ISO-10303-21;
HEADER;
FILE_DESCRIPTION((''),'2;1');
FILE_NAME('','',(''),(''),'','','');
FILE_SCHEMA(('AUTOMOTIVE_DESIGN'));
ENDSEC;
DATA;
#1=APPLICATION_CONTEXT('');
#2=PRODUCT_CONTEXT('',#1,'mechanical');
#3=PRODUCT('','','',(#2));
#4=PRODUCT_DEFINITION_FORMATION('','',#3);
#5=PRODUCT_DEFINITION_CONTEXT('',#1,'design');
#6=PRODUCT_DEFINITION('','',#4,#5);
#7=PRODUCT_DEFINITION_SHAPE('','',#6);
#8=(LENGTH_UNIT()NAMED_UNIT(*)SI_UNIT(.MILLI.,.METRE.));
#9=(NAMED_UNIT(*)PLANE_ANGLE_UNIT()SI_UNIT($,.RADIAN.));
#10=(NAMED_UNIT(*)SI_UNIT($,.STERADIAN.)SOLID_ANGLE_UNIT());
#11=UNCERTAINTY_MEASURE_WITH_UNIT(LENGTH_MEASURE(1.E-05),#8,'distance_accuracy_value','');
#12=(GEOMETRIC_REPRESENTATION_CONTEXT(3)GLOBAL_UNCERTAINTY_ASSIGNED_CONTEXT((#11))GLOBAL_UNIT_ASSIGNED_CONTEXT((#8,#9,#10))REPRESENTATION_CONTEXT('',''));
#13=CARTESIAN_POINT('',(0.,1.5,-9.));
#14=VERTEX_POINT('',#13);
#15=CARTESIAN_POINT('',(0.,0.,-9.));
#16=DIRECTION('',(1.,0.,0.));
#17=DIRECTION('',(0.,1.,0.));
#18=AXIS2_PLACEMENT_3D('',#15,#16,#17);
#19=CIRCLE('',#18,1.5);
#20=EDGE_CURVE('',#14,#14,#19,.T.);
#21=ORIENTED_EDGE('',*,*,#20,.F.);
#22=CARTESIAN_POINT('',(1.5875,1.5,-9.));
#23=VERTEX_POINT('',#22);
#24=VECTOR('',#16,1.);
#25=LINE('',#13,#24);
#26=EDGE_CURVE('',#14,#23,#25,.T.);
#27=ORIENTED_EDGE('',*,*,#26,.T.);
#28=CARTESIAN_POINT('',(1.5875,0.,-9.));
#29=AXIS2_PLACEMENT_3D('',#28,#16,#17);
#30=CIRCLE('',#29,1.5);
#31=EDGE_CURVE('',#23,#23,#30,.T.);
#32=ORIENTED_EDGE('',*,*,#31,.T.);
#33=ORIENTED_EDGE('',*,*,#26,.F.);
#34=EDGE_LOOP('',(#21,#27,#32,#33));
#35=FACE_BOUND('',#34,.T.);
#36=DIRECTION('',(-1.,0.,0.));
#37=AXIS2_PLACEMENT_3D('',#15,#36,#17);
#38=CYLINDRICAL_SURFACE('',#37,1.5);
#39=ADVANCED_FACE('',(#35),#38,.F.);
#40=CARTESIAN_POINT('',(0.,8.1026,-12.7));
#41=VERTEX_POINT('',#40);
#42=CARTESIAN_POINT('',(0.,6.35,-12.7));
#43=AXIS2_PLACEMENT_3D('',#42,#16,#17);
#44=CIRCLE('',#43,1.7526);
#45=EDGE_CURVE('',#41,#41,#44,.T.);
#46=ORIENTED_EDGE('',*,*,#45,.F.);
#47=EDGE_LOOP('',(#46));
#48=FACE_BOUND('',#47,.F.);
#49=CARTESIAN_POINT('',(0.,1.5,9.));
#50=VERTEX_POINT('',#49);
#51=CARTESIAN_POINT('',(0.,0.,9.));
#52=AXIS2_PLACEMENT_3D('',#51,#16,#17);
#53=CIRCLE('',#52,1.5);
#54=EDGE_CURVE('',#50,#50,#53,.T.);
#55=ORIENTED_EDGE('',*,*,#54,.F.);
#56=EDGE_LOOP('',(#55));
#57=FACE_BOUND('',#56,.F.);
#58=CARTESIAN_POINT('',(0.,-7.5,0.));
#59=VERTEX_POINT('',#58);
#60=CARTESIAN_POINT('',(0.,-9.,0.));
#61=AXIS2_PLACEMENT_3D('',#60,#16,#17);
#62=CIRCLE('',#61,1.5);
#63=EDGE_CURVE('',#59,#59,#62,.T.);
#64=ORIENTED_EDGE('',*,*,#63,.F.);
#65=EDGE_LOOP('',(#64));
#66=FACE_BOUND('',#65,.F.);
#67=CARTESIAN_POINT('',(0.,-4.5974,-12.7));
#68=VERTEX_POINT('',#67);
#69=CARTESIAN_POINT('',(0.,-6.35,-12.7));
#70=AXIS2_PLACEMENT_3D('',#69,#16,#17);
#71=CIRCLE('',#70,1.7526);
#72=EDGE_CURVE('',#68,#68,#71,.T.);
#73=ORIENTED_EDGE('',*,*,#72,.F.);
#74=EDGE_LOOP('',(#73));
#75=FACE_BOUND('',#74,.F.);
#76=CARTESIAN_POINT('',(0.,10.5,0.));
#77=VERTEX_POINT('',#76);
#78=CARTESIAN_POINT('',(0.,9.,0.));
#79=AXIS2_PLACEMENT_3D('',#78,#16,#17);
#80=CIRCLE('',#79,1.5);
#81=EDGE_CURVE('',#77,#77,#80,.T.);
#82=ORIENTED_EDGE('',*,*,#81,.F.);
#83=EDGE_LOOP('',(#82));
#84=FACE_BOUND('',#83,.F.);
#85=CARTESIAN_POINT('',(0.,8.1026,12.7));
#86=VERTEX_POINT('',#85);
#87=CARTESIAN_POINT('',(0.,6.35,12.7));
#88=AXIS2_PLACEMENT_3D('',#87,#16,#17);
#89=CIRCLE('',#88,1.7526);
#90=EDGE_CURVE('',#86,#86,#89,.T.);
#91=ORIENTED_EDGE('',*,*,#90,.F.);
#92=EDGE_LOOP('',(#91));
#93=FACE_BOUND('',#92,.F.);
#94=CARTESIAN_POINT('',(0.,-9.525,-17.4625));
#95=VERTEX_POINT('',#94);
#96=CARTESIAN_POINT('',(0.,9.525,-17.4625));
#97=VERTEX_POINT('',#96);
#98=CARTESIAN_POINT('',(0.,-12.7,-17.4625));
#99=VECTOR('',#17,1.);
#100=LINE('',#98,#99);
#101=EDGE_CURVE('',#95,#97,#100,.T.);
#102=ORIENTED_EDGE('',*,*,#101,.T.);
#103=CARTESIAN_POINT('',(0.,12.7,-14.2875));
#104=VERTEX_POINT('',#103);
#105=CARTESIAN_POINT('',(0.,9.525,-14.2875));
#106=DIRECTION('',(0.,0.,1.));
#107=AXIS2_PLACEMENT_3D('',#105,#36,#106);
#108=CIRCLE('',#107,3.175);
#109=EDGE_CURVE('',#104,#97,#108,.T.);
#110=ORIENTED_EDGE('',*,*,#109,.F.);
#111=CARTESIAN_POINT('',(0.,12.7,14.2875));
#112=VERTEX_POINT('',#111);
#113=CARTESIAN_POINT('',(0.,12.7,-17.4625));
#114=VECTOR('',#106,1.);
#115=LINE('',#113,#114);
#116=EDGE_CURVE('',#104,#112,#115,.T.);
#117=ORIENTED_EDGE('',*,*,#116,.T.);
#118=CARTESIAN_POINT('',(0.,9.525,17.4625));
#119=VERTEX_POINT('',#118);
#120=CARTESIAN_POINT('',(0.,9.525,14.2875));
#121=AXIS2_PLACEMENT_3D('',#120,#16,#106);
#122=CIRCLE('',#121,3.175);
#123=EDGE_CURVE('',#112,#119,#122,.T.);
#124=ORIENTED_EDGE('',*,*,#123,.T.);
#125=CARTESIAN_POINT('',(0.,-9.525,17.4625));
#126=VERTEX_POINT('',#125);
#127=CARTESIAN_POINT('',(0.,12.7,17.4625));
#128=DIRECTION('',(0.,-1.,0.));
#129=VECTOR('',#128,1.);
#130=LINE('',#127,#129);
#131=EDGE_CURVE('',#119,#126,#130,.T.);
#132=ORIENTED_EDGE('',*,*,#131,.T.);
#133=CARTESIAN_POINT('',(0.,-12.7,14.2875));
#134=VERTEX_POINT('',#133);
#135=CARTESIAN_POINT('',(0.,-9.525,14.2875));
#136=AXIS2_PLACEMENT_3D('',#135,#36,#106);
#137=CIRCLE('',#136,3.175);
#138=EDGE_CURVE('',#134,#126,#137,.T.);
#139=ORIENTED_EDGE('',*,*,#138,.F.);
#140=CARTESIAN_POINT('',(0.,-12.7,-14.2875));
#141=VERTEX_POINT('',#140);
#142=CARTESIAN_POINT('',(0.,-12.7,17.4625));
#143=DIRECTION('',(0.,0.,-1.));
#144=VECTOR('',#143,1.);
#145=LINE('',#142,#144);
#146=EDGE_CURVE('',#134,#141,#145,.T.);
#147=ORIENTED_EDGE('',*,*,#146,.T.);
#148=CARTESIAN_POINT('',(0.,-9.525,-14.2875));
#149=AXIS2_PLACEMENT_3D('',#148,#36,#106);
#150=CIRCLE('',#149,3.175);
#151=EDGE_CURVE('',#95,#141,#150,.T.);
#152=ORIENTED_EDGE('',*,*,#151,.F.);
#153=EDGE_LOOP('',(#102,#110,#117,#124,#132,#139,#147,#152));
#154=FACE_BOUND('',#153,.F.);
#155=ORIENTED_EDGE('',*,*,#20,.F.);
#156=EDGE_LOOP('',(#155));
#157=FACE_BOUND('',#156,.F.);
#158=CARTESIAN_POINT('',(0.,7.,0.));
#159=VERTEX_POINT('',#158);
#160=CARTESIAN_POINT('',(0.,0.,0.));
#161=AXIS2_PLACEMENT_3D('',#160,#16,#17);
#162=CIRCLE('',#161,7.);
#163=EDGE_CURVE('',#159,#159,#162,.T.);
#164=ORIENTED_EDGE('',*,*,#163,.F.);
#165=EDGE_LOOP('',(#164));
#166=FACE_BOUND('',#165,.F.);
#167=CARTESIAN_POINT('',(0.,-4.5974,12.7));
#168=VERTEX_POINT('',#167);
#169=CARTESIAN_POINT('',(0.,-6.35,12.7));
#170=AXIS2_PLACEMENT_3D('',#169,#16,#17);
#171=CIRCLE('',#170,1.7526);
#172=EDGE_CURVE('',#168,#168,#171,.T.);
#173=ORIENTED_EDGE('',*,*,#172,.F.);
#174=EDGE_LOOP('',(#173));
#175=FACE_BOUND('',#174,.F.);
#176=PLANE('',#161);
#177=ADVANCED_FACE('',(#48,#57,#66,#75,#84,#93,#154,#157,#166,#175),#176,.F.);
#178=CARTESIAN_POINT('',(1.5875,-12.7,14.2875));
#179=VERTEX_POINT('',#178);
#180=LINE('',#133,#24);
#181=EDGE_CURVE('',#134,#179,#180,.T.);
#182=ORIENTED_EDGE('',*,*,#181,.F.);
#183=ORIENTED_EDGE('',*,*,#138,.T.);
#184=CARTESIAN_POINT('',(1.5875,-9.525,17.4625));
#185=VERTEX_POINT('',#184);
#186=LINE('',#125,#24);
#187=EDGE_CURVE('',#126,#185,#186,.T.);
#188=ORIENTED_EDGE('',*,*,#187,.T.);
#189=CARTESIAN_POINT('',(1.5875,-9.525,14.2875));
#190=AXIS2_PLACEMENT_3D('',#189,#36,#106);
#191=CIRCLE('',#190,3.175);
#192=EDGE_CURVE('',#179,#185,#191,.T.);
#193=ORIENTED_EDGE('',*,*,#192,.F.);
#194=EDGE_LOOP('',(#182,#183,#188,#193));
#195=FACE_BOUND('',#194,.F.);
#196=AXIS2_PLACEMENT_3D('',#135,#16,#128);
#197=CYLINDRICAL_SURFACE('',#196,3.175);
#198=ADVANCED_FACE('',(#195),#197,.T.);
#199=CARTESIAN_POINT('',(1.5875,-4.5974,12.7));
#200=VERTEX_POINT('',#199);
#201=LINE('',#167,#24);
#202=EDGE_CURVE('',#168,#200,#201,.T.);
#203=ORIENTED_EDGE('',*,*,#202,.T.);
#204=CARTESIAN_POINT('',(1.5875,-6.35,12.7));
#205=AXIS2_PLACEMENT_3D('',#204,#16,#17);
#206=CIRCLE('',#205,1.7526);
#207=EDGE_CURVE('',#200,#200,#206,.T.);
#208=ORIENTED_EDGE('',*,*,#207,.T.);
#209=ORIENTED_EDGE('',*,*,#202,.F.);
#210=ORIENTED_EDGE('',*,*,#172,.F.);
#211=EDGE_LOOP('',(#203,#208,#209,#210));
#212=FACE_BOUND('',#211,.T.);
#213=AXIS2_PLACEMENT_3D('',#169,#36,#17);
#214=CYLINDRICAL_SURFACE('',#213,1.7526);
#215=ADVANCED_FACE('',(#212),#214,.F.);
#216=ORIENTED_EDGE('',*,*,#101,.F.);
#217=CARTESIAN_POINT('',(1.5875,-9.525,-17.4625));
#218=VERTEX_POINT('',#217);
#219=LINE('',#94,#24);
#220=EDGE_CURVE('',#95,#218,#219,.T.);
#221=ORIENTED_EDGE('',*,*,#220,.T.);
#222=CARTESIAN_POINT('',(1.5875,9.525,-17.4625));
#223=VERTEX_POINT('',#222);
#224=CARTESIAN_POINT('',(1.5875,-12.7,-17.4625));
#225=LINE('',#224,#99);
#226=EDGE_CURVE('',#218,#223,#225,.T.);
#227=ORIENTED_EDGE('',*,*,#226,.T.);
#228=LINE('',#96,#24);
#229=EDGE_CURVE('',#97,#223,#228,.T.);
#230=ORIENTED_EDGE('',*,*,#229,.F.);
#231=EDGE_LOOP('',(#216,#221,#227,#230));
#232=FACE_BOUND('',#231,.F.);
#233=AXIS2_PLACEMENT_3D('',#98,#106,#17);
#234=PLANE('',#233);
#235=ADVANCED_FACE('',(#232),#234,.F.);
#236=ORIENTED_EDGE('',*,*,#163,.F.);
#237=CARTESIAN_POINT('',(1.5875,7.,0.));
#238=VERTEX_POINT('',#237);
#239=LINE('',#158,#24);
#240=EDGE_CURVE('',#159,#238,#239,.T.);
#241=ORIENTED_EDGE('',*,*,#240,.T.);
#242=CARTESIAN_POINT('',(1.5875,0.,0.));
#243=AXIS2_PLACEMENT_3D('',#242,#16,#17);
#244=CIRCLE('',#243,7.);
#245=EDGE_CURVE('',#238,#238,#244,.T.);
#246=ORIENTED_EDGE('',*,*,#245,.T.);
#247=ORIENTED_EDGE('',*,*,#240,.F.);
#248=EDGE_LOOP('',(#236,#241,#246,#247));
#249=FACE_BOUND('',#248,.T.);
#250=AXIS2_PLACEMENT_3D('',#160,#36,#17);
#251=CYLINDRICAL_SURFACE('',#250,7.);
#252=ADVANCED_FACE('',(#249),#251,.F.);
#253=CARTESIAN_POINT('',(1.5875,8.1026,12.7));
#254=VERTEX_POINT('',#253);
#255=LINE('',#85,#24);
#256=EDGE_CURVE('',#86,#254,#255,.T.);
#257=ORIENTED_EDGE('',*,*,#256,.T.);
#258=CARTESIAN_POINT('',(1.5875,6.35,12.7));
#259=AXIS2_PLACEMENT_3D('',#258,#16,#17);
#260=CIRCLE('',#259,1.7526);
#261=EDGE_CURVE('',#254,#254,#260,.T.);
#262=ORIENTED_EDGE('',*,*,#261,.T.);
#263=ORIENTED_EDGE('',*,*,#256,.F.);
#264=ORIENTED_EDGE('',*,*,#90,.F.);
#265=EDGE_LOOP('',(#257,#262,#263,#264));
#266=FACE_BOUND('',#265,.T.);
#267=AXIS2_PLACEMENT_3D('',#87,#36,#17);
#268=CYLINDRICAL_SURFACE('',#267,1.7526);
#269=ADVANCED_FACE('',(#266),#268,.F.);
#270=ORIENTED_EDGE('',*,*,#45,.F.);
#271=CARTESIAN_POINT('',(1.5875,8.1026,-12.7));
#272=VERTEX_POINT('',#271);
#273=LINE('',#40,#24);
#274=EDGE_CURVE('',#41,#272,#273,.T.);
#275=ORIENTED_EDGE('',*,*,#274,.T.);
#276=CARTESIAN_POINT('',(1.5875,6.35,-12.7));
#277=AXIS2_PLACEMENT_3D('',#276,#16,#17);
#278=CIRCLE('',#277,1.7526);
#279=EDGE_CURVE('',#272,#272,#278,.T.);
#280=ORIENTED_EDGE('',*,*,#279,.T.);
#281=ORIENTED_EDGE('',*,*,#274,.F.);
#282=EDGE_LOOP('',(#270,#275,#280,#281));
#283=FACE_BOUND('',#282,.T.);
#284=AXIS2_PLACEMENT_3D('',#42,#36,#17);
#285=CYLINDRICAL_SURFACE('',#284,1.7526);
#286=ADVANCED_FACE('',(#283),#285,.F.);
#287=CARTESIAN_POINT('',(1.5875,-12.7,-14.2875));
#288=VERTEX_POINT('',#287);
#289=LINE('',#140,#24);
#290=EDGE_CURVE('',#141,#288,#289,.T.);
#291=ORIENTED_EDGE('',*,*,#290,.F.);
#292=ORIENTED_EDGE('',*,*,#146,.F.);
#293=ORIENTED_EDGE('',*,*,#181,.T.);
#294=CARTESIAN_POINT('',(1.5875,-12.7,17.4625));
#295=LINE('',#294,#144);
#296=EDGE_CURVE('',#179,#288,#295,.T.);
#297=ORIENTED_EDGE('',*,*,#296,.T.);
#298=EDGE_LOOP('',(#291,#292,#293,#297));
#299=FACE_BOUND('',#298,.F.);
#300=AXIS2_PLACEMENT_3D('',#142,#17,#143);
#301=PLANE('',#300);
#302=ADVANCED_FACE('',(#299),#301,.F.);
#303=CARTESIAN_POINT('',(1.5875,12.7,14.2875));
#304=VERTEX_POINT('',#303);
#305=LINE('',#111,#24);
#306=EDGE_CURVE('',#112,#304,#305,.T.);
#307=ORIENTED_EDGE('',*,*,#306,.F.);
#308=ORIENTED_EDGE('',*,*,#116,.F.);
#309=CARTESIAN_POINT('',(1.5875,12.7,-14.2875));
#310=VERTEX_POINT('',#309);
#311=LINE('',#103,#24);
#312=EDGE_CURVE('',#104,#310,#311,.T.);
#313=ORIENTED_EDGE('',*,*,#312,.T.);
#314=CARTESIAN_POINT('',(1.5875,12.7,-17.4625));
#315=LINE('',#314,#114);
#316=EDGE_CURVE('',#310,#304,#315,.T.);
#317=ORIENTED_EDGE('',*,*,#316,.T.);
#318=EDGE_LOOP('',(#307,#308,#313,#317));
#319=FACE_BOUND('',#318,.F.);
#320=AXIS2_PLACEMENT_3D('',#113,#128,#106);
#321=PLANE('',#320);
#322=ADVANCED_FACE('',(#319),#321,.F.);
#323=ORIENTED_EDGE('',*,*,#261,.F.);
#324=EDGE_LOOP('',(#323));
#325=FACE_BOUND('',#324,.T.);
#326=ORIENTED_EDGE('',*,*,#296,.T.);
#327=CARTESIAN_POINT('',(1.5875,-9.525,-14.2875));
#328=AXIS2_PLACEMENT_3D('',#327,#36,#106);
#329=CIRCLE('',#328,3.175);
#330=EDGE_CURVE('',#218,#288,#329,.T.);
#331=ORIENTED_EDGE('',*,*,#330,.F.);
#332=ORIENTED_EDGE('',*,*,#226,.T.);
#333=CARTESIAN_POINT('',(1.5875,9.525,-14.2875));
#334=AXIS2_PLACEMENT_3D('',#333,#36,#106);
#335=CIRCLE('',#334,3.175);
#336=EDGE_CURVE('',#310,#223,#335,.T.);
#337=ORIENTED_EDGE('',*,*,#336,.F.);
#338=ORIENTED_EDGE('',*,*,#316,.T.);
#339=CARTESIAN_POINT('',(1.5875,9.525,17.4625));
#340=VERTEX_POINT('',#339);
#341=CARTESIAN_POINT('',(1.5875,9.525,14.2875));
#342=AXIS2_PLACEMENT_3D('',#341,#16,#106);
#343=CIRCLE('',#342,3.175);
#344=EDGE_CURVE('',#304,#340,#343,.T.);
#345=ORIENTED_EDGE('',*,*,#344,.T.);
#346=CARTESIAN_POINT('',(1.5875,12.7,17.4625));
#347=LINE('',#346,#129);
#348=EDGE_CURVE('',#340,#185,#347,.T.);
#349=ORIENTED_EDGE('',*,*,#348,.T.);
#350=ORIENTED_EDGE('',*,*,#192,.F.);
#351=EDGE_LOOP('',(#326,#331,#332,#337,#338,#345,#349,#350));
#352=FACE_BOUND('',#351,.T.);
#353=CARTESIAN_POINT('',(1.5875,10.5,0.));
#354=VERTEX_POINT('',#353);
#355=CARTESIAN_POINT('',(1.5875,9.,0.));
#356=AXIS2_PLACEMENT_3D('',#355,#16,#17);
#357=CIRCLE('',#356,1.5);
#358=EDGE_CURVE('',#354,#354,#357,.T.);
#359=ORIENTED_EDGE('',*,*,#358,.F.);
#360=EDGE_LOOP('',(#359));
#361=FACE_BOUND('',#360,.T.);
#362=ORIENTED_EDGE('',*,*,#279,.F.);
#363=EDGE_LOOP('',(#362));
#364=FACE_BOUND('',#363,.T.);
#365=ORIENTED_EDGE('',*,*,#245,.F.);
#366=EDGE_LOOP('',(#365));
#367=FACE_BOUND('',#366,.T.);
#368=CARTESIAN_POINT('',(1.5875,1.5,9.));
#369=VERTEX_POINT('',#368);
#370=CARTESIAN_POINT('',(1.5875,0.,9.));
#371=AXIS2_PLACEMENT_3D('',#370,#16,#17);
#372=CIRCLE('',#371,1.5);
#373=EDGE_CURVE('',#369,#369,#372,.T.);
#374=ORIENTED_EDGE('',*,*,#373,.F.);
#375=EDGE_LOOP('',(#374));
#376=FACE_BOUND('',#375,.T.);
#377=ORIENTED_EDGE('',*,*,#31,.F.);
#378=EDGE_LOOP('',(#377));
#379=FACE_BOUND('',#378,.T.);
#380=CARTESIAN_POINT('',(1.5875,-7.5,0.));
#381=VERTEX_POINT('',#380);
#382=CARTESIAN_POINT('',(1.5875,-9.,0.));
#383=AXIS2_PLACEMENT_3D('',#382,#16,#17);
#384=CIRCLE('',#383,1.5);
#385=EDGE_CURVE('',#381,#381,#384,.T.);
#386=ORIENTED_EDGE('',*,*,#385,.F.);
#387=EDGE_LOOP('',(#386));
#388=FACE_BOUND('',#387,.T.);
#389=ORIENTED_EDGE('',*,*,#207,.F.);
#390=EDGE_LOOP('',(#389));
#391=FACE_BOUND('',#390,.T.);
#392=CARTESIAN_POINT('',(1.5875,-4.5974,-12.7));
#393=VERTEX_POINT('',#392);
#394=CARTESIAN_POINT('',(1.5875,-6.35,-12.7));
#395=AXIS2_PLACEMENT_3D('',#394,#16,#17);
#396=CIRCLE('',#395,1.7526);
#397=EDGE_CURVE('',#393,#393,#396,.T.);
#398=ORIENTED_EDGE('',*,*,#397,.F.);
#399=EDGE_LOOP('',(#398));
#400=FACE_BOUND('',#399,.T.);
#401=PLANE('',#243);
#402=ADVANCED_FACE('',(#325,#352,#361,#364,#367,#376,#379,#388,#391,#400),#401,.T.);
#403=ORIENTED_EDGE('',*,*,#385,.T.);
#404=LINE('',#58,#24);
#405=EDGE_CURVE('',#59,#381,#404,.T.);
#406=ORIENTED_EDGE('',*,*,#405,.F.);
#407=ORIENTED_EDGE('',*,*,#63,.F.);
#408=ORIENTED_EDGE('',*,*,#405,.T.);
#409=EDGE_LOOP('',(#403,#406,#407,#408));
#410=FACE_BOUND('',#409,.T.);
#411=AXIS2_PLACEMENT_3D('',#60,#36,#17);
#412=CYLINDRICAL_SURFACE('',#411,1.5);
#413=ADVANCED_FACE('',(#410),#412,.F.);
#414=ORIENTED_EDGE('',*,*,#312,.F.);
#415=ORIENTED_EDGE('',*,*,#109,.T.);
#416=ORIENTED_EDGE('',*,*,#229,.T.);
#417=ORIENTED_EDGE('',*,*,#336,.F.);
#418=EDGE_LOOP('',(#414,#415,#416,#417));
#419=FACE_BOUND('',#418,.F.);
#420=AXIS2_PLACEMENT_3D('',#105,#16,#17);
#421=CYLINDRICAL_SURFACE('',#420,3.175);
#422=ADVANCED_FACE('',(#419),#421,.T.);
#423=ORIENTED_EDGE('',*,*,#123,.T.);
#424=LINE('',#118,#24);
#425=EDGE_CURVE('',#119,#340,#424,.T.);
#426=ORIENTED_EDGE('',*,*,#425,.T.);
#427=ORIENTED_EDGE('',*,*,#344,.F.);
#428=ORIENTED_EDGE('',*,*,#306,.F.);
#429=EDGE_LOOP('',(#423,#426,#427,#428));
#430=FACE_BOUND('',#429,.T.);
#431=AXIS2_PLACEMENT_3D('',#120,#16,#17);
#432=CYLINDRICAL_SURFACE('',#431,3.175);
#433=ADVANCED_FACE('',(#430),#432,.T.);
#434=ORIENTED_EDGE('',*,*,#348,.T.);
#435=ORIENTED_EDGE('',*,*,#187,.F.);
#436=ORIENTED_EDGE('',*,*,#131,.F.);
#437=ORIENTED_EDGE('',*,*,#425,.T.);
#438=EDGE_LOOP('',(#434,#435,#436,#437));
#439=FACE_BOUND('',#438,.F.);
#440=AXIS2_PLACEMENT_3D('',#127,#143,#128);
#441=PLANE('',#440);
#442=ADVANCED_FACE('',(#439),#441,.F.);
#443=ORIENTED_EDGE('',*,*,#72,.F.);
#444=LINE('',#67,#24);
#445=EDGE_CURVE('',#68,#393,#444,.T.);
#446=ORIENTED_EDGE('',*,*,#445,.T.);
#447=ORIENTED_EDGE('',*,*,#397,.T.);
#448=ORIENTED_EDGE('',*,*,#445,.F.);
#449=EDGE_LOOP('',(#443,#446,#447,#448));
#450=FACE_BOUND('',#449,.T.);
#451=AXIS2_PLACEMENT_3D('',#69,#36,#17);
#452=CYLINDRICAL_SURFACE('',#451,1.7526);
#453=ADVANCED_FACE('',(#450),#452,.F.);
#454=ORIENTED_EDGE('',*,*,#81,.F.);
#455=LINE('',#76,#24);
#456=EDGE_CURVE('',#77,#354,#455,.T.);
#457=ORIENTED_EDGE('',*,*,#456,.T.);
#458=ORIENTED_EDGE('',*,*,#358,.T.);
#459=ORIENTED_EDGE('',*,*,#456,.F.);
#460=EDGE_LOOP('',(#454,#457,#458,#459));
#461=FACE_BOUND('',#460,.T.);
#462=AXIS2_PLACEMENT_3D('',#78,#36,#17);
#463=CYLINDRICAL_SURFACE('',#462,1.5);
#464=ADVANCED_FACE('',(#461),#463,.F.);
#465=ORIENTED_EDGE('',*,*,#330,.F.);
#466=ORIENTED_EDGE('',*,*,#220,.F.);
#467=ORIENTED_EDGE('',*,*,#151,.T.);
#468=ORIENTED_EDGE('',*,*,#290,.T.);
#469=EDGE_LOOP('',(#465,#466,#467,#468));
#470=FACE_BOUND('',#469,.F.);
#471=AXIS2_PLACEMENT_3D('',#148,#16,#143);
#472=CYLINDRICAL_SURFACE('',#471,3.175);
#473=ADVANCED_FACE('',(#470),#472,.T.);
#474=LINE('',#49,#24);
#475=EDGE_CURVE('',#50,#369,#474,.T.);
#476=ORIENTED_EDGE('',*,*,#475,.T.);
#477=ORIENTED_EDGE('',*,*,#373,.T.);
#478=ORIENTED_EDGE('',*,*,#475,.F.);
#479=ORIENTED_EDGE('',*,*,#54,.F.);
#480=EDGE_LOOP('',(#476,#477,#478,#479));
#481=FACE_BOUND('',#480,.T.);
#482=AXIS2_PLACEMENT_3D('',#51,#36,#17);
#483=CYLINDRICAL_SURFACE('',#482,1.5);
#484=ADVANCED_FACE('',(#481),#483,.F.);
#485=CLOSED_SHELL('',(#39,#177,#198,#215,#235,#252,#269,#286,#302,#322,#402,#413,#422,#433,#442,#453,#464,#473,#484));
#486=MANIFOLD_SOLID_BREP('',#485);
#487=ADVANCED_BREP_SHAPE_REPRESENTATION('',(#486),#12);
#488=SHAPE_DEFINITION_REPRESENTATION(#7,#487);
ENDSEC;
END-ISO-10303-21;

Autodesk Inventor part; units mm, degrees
ref_plane "YZ Plane" through (0, 0, 0) normal (1, 0, 0) x (0, 1, 0)
ref_plane "XZ Plane" through (0, 0, 0) normal (0, 1, 0) x (-1, 0, 0)
ref_plane "XY Plane" through (0, 0, 0) normal (0, 0, 1) x (1, 0, 0)
sketch "Sketch1" plane through (0, 0, 0) normal (1, 0, 0) x (0, 1, 0)
  circle A0 centre (0, 0) radius 7
  line L0 (0, 0) -> (0, -12.7) construction
  line L1 (0, -12.7) -> (6.35, -12.7) construction
  circle A1 centre (6.35, -12.7) radius 1.7526
  circle A2 centre (-6.35, -12.7) radius 1.7526
  circle A3 centre (6.35, 12.7) radius 1.7526
  circle A4 centre (-6.35, 12.7) radius 1.7526
  line L2 (12.7, 17.4625) -> (-12.7, 17.4625)
  line L3 (-12.7, 17.4625) -> (-12.7, -17.4625)
  line L4 (-12.7, -17.4625) -> (12.7, -17.4625)
  line L5 (12.7, -17.4625) -> (12.7, 17.4625)
  line L6 (12.7, 17.4625) -> (-12.7, -17.4625) construction
  line L7 (-12.7, 17.4625) -> (12.7, -17.4625) construction
  circle A5 centre (9, 0) radius 1.5
  line L8 (0, 0) -> (9, 0) construction
  circle A6 centre (0, 9) radius 1.5
  circle A7 centre (-9, 0) radius 1.5
  circle A8 centre (0, -9) radius 1.5
  dimension "d0" = 14
  dimension "d1" = 12.7
  dimension "d2" = 6.35
  dimension "d3" = 3.5052
  dimension "d6" = 12.7
  dimension "d9" = 25.4
  dimension "d12" = 25.4
  dimension "d13" = 34.925
  dimension "d14" = 3
  dimension "d15" = 9
  dimension "d18" = 360
extrude "Extrusion1" add sketch "Sketch1" along normal blind 1.5875
fillet "Fillet1" radius 3.175 4 edges at (0.7937, 12.7, 17.4625) (0.7937, -12.7, 17.4625) (0.7937, 12.7, -17.4625) (0.7937, -12.7, -17.4625)
equation "\"d9\" = 2 * d1"
properties part number "Motor Plates" material "Aluminum 6061"
